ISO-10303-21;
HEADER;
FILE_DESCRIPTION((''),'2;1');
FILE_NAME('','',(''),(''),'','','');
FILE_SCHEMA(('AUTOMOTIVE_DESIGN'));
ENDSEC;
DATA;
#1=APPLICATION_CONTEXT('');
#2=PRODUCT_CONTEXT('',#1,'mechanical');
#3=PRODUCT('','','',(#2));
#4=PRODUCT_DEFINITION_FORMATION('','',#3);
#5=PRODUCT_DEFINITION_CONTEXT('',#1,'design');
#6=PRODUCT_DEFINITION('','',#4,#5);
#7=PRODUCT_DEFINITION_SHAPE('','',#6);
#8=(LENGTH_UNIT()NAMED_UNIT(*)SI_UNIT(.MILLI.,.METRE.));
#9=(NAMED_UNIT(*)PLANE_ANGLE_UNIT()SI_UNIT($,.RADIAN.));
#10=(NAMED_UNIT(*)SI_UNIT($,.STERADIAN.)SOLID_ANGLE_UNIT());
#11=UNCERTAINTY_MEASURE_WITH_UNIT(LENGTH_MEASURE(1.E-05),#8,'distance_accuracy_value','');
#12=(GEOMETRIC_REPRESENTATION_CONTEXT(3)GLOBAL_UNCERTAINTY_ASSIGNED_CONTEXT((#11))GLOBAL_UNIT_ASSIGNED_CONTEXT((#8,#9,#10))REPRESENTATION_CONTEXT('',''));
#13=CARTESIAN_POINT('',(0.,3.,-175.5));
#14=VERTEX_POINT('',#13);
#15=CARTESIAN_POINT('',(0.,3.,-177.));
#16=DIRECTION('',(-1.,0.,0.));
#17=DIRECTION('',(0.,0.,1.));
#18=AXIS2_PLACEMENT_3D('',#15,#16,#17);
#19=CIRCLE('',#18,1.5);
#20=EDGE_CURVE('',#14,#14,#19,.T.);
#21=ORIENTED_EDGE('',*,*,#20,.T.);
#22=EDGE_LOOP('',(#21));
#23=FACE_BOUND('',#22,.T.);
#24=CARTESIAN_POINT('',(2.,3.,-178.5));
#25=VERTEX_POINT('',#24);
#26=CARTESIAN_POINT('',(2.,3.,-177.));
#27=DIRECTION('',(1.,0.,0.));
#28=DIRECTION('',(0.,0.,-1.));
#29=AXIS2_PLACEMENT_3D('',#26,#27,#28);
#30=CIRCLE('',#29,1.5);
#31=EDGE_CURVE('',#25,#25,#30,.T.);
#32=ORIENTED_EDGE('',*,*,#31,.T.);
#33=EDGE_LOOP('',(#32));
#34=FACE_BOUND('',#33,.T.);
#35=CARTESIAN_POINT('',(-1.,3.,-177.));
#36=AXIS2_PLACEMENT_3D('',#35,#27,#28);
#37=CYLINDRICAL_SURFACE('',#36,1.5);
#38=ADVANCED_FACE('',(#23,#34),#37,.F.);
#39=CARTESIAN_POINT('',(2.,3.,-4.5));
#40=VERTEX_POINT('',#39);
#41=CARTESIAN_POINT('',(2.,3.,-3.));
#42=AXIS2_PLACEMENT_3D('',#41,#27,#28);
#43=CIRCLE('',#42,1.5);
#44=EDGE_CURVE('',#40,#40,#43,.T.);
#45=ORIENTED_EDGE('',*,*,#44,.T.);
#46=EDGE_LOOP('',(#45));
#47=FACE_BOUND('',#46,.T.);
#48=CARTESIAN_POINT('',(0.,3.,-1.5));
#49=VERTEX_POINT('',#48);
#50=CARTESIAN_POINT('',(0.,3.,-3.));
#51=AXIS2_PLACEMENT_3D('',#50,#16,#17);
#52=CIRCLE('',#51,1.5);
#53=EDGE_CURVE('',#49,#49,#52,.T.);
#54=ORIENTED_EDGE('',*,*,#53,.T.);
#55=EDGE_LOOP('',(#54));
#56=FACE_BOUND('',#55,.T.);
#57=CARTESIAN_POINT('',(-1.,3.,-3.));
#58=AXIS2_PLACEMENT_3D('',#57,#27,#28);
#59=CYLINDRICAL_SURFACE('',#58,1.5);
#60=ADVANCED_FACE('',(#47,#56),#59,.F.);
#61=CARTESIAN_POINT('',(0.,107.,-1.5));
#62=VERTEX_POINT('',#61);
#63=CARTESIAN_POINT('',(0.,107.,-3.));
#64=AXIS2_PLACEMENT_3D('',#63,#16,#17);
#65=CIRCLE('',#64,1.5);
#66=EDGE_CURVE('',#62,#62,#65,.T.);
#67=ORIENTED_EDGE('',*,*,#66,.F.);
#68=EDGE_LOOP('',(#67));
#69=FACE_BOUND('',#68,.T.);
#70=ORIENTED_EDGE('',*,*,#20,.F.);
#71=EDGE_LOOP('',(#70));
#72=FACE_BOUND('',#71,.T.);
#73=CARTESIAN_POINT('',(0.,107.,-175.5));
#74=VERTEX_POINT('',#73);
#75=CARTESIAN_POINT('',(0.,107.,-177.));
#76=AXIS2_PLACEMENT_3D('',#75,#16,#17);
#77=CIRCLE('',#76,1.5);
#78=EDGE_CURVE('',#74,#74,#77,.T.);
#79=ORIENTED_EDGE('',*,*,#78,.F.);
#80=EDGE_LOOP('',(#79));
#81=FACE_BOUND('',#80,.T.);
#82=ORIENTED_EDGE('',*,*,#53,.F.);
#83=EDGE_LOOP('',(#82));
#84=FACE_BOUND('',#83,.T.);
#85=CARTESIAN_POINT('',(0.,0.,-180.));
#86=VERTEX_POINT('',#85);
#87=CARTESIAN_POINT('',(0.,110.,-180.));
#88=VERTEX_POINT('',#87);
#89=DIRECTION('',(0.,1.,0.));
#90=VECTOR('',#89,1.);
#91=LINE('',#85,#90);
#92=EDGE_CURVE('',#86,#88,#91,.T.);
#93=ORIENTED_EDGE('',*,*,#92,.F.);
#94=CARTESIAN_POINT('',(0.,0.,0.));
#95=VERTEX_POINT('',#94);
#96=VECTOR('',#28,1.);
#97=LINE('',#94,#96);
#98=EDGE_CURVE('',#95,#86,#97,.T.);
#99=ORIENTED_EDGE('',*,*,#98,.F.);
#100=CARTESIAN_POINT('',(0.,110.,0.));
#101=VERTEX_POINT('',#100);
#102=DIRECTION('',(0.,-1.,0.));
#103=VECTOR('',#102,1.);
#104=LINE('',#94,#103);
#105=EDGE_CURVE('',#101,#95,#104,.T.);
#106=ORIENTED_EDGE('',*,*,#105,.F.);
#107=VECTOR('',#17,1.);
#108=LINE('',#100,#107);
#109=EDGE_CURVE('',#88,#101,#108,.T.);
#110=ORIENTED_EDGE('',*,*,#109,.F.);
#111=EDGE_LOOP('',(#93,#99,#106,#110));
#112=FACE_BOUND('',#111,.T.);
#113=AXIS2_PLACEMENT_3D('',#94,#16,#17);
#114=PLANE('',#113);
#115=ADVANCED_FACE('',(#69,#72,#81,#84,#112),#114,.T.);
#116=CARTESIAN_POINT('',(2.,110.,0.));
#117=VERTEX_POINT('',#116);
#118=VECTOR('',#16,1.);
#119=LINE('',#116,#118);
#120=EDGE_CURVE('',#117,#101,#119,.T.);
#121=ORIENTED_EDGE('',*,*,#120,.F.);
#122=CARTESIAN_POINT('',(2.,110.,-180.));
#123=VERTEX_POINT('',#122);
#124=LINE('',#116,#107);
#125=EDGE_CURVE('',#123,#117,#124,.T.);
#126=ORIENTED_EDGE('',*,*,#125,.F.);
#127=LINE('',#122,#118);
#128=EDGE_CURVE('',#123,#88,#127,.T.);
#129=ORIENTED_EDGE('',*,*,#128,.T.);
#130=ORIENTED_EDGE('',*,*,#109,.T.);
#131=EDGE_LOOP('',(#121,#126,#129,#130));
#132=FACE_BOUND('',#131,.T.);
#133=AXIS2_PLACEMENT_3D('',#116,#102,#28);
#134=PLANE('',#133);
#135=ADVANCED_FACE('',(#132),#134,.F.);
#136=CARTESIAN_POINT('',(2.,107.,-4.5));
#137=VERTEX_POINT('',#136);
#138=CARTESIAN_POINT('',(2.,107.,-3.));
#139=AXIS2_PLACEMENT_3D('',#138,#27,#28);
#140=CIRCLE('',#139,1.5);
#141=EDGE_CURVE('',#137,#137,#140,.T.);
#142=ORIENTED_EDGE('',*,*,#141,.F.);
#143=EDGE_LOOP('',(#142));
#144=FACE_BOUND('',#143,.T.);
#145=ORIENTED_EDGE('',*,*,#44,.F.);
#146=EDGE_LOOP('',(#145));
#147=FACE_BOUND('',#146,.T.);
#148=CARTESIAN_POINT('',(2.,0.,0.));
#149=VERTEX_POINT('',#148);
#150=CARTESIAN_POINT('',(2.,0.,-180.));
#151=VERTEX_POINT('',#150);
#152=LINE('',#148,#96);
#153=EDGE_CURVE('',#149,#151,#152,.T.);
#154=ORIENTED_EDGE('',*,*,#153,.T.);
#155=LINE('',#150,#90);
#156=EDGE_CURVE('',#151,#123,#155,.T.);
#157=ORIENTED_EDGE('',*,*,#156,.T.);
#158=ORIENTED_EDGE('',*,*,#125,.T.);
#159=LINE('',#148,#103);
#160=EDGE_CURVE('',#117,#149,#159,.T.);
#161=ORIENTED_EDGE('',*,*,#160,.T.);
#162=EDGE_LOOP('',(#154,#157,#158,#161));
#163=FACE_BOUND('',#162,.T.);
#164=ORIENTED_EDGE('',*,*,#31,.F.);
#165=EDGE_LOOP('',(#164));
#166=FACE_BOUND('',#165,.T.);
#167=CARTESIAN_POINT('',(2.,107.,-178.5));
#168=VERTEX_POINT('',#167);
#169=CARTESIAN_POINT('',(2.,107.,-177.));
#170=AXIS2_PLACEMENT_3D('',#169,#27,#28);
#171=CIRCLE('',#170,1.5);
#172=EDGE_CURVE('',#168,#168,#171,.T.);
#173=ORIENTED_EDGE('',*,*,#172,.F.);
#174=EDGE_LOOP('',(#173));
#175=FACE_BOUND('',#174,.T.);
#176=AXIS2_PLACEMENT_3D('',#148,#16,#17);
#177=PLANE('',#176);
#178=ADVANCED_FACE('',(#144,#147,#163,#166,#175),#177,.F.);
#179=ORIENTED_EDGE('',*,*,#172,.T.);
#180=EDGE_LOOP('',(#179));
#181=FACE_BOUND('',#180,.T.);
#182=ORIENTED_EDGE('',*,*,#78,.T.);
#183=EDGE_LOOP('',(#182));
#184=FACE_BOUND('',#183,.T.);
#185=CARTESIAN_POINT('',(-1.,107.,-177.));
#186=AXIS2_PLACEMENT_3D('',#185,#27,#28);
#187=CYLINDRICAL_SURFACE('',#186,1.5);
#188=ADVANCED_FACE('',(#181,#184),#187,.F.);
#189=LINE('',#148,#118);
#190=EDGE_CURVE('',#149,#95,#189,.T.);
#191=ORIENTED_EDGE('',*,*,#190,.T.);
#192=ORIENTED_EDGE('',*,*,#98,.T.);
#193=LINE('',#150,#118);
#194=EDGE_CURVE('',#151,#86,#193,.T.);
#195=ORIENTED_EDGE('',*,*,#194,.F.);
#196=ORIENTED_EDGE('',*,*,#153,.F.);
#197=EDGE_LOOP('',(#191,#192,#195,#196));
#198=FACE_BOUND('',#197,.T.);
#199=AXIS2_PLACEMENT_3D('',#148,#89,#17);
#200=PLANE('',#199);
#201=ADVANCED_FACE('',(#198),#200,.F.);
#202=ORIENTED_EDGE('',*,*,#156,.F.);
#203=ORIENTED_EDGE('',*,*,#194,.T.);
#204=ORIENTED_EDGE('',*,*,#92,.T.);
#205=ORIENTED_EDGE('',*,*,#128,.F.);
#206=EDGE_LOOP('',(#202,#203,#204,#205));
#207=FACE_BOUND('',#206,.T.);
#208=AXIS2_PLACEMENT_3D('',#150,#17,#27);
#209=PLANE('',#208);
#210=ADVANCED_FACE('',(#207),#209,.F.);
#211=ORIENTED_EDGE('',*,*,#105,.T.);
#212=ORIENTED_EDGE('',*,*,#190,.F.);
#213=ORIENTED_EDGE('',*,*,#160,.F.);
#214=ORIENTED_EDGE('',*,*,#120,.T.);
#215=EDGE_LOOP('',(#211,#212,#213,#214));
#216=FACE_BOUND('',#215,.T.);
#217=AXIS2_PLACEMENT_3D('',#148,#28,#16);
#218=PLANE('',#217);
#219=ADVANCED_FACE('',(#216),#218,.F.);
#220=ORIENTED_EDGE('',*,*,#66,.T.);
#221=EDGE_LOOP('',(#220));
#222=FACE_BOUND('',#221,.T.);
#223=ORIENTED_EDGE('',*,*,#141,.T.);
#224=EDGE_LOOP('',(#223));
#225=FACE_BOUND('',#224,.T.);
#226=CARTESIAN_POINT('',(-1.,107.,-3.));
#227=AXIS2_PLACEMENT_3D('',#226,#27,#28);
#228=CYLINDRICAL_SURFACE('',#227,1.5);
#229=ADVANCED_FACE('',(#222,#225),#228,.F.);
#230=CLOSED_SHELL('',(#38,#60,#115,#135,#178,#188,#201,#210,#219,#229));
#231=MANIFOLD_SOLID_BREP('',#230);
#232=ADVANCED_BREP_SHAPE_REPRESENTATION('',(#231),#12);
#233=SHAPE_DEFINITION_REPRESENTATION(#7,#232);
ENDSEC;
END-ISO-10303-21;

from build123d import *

# Parameters (mm, degrees)
SKETCH1_W           = 180
SKETCH1_H           = 110
BOSS_EXTRUDE1_DEPTH = 2
SKETCH2_R           = 1.5
CUT_EXTRUDE1_DEPTH  = 3


with BuildPart() as part:
    # Sketch1 → Boss-Extrude1 (new body)
    with BuildSketch(Plane(origin=(0, 0, 0), x_dir=(0, 0, -1), z_dir=(1, 0, 0))):
        with Locations((90, 55)):
            Rectangle(SKETCH1_W, SKETCH1_H)
    extrude(amount=BOSS_EXTRUDE1_DEPTH)

    # Sketch2 → Cut-Extrude1 (cut)
    with BuildSketch(Plane(origin=(2, 0, 0), x_dir=(0, 0, -1), z_dir=(1, 0, 0))):
        with Locations((3, 107)):
            Circle(SKETCH2_R)
        with Locations((177, 107)):
            Circle(SKETCH2_R)
        with Locations((177, 3)):
            Circle(SKETCH2_R)
        with Locations((3, 3)):
            Circle(SKETCH2_R)
    extrude(amount=-CUT_EXTRUDE1_DEPTH, mode=Mode.SUBTRACT)


solid = part.part
